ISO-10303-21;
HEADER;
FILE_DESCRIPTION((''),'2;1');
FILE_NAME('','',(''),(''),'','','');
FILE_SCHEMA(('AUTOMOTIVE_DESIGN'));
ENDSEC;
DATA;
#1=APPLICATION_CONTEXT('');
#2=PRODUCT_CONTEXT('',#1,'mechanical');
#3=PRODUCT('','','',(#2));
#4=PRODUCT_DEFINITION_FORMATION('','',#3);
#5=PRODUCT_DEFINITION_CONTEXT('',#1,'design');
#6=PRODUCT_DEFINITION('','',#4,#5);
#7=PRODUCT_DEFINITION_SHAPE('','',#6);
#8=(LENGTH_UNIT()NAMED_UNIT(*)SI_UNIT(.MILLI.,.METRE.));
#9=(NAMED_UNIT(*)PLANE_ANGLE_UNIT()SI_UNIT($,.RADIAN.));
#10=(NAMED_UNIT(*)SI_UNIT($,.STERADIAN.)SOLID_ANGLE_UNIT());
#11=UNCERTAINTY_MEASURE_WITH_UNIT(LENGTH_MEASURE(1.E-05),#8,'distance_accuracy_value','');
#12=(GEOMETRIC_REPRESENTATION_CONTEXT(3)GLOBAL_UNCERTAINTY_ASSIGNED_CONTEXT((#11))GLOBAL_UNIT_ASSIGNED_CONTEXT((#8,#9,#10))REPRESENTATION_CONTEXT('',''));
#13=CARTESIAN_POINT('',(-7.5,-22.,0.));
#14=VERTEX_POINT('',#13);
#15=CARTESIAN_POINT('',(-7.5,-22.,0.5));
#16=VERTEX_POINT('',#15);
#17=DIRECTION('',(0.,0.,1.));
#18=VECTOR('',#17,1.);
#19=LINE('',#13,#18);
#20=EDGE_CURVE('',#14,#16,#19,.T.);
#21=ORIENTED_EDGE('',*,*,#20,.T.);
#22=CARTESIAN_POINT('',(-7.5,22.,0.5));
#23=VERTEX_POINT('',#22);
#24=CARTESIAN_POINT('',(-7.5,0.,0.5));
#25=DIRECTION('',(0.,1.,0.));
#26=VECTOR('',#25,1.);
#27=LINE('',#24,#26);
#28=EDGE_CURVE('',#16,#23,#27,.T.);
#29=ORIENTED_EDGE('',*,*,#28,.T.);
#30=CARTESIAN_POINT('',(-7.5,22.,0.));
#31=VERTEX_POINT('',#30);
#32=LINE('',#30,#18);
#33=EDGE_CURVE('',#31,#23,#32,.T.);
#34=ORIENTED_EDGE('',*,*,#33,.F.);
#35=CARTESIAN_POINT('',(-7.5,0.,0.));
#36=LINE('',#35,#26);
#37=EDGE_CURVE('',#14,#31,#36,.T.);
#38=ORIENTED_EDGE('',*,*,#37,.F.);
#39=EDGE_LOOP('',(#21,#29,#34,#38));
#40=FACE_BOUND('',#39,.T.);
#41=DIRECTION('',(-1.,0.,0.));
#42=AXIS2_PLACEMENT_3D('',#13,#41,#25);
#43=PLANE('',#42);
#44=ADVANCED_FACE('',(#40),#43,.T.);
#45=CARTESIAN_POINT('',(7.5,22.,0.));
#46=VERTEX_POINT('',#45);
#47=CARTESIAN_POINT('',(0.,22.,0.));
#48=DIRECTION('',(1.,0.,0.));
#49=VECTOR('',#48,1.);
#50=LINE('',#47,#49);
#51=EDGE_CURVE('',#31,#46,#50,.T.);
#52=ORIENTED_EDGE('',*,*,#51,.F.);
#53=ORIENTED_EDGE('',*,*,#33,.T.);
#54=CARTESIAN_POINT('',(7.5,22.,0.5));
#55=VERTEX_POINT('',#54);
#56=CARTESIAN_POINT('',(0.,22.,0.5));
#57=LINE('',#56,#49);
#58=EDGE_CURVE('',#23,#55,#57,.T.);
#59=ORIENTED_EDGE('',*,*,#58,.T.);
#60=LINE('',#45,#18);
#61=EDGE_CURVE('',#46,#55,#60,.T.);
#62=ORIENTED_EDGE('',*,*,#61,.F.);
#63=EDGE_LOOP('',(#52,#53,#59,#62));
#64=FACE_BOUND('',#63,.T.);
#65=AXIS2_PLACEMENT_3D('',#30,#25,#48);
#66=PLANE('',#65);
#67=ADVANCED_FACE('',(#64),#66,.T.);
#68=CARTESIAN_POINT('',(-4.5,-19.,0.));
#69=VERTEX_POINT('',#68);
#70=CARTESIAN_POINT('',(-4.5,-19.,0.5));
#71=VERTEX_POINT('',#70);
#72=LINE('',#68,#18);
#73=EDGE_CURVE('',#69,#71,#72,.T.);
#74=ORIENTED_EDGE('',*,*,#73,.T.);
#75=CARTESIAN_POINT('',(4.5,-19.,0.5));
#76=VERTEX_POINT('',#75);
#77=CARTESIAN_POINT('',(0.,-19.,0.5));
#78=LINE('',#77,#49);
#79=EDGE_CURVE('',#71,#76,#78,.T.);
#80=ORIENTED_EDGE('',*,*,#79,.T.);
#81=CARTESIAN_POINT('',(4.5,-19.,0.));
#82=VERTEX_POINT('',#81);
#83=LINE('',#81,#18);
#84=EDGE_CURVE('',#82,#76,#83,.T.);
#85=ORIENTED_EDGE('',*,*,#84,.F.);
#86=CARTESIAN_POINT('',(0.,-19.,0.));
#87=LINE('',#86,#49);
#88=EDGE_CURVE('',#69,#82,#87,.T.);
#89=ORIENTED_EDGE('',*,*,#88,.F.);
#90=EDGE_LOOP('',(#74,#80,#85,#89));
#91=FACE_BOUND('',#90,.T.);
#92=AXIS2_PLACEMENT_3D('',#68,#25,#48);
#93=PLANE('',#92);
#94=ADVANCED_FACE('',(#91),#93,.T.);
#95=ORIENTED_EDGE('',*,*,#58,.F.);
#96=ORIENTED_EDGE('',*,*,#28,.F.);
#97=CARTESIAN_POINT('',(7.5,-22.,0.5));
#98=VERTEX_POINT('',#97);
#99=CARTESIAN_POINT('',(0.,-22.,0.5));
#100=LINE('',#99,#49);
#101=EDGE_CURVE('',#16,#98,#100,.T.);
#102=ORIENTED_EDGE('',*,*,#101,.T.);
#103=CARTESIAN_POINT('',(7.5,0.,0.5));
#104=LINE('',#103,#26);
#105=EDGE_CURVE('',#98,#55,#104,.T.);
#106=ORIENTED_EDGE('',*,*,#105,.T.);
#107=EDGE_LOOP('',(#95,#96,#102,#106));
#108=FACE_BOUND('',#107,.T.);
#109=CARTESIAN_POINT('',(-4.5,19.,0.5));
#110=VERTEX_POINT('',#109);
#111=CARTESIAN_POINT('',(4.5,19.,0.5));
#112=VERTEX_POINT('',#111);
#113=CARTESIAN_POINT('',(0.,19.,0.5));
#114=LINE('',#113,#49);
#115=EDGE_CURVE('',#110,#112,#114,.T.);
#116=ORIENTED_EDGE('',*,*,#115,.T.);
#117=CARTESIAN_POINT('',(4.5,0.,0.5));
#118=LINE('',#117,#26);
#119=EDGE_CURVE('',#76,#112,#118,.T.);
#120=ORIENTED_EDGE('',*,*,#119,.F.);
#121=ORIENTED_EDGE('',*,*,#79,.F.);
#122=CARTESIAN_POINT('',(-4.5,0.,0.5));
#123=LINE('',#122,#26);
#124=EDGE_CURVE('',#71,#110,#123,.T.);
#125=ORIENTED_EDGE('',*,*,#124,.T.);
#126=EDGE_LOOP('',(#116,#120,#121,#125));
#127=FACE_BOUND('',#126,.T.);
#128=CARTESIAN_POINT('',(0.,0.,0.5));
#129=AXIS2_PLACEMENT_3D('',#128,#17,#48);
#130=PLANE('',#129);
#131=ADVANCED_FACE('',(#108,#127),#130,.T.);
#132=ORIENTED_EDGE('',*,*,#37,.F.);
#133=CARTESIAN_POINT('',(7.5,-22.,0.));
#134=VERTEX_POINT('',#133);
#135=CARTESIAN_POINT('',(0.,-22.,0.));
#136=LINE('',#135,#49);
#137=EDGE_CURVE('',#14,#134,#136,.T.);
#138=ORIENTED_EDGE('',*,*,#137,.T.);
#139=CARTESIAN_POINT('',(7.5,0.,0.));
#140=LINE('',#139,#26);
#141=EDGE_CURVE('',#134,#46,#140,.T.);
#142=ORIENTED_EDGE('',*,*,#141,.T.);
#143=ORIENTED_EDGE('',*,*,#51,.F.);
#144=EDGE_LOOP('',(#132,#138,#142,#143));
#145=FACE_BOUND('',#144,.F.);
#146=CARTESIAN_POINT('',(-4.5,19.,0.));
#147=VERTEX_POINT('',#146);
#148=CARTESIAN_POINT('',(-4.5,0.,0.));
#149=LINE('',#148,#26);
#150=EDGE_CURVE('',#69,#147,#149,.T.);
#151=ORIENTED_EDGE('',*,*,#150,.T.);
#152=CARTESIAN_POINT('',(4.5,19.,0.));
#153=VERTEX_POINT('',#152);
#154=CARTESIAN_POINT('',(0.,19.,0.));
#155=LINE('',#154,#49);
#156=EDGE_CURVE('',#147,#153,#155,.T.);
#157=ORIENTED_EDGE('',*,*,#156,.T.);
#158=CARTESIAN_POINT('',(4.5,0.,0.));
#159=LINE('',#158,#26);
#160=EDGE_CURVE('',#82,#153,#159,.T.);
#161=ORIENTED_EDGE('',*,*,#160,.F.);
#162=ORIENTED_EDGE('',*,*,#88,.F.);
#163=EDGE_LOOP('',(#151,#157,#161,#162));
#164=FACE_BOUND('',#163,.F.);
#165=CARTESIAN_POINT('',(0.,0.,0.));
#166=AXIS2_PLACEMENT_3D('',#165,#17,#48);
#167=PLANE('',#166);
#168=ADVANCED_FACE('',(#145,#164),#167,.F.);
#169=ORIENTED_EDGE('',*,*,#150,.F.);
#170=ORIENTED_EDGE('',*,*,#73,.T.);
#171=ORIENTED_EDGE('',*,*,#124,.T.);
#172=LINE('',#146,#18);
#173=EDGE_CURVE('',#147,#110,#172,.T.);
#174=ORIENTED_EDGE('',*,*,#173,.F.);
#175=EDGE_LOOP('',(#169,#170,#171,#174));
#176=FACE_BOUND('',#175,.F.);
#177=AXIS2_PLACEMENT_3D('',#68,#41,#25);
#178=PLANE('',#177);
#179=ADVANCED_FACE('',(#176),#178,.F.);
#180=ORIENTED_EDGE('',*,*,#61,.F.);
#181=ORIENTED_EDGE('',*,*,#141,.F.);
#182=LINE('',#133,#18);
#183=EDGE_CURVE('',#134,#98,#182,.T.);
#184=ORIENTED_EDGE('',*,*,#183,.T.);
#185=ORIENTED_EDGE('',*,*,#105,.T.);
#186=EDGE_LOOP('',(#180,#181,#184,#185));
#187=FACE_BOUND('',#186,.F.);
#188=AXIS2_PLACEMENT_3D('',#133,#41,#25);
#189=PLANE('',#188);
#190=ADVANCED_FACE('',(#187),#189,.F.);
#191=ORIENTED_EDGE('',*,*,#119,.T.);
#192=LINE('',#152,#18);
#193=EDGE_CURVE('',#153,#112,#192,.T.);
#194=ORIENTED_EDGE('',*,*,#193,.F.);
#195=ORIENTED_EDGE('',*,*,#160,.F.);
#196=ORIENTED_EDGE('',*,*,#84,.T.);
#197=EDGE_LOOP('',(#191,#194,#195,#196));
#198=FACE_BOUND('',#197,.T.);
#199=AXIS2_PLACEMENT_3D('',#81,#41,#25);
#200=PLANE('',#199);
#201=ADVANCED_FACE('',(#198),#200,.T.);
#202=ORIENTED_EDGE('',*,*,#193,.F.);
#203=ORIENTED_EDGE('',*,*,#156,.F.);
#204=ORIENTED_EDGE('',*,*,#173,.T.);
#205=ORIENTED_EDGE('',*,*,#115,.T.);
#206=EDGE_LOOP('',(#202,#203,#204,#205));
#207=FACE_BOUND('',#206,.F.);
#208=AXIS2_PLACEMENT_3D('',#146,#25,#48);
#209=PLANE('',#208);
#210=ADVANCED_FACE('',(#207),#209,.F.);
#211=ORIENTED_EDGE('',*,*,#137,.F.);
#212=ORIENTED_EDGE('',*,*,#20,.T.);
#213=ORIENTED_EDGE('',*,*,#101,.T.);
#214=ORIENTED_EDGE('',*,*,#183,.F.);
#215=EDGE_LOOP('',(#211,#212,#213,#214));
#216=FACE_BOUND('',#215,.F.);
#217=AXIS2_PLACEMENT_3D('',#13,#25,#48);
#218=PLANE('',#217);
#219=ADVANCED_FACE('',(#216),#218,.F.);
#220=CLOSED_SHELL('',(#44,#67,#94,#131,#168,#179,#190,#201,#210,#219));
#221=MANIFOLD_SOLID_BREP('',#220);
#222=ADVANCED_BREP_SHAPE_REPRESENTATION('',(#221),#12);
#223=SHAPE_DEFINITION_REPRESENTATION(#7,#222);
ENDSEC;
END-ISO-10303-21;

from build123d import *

# Parameters (mm, degrees)
F0_W     = 9
F0_H     = 38
F0_W_2   = 15
F0_H_2   = 44
F1_DEPTH = 0.5
F2_DEPTH = 25


with BuildPart() as f1:
    # F0 (on Top) → F1 (new body)
    with BuildSketch(Plane.XY):
        Rectangle(F0_W, F0_H)
        Rectangle(F0_W_2, F0_H_2)
        Rectangle(F0_W, F0_H, mode=Mode.SUBTRACT)
    extrude(amount=F1_DEPTH)

    # F0 (on Top) → F2 (cut)
    with BuildSketch(Plane.XY):
        Rectangle(F0_W, F0_H)
    extrude(amount=F2_DEPTH, mode=Mode.SUBTRACT)


solid = f1.part
